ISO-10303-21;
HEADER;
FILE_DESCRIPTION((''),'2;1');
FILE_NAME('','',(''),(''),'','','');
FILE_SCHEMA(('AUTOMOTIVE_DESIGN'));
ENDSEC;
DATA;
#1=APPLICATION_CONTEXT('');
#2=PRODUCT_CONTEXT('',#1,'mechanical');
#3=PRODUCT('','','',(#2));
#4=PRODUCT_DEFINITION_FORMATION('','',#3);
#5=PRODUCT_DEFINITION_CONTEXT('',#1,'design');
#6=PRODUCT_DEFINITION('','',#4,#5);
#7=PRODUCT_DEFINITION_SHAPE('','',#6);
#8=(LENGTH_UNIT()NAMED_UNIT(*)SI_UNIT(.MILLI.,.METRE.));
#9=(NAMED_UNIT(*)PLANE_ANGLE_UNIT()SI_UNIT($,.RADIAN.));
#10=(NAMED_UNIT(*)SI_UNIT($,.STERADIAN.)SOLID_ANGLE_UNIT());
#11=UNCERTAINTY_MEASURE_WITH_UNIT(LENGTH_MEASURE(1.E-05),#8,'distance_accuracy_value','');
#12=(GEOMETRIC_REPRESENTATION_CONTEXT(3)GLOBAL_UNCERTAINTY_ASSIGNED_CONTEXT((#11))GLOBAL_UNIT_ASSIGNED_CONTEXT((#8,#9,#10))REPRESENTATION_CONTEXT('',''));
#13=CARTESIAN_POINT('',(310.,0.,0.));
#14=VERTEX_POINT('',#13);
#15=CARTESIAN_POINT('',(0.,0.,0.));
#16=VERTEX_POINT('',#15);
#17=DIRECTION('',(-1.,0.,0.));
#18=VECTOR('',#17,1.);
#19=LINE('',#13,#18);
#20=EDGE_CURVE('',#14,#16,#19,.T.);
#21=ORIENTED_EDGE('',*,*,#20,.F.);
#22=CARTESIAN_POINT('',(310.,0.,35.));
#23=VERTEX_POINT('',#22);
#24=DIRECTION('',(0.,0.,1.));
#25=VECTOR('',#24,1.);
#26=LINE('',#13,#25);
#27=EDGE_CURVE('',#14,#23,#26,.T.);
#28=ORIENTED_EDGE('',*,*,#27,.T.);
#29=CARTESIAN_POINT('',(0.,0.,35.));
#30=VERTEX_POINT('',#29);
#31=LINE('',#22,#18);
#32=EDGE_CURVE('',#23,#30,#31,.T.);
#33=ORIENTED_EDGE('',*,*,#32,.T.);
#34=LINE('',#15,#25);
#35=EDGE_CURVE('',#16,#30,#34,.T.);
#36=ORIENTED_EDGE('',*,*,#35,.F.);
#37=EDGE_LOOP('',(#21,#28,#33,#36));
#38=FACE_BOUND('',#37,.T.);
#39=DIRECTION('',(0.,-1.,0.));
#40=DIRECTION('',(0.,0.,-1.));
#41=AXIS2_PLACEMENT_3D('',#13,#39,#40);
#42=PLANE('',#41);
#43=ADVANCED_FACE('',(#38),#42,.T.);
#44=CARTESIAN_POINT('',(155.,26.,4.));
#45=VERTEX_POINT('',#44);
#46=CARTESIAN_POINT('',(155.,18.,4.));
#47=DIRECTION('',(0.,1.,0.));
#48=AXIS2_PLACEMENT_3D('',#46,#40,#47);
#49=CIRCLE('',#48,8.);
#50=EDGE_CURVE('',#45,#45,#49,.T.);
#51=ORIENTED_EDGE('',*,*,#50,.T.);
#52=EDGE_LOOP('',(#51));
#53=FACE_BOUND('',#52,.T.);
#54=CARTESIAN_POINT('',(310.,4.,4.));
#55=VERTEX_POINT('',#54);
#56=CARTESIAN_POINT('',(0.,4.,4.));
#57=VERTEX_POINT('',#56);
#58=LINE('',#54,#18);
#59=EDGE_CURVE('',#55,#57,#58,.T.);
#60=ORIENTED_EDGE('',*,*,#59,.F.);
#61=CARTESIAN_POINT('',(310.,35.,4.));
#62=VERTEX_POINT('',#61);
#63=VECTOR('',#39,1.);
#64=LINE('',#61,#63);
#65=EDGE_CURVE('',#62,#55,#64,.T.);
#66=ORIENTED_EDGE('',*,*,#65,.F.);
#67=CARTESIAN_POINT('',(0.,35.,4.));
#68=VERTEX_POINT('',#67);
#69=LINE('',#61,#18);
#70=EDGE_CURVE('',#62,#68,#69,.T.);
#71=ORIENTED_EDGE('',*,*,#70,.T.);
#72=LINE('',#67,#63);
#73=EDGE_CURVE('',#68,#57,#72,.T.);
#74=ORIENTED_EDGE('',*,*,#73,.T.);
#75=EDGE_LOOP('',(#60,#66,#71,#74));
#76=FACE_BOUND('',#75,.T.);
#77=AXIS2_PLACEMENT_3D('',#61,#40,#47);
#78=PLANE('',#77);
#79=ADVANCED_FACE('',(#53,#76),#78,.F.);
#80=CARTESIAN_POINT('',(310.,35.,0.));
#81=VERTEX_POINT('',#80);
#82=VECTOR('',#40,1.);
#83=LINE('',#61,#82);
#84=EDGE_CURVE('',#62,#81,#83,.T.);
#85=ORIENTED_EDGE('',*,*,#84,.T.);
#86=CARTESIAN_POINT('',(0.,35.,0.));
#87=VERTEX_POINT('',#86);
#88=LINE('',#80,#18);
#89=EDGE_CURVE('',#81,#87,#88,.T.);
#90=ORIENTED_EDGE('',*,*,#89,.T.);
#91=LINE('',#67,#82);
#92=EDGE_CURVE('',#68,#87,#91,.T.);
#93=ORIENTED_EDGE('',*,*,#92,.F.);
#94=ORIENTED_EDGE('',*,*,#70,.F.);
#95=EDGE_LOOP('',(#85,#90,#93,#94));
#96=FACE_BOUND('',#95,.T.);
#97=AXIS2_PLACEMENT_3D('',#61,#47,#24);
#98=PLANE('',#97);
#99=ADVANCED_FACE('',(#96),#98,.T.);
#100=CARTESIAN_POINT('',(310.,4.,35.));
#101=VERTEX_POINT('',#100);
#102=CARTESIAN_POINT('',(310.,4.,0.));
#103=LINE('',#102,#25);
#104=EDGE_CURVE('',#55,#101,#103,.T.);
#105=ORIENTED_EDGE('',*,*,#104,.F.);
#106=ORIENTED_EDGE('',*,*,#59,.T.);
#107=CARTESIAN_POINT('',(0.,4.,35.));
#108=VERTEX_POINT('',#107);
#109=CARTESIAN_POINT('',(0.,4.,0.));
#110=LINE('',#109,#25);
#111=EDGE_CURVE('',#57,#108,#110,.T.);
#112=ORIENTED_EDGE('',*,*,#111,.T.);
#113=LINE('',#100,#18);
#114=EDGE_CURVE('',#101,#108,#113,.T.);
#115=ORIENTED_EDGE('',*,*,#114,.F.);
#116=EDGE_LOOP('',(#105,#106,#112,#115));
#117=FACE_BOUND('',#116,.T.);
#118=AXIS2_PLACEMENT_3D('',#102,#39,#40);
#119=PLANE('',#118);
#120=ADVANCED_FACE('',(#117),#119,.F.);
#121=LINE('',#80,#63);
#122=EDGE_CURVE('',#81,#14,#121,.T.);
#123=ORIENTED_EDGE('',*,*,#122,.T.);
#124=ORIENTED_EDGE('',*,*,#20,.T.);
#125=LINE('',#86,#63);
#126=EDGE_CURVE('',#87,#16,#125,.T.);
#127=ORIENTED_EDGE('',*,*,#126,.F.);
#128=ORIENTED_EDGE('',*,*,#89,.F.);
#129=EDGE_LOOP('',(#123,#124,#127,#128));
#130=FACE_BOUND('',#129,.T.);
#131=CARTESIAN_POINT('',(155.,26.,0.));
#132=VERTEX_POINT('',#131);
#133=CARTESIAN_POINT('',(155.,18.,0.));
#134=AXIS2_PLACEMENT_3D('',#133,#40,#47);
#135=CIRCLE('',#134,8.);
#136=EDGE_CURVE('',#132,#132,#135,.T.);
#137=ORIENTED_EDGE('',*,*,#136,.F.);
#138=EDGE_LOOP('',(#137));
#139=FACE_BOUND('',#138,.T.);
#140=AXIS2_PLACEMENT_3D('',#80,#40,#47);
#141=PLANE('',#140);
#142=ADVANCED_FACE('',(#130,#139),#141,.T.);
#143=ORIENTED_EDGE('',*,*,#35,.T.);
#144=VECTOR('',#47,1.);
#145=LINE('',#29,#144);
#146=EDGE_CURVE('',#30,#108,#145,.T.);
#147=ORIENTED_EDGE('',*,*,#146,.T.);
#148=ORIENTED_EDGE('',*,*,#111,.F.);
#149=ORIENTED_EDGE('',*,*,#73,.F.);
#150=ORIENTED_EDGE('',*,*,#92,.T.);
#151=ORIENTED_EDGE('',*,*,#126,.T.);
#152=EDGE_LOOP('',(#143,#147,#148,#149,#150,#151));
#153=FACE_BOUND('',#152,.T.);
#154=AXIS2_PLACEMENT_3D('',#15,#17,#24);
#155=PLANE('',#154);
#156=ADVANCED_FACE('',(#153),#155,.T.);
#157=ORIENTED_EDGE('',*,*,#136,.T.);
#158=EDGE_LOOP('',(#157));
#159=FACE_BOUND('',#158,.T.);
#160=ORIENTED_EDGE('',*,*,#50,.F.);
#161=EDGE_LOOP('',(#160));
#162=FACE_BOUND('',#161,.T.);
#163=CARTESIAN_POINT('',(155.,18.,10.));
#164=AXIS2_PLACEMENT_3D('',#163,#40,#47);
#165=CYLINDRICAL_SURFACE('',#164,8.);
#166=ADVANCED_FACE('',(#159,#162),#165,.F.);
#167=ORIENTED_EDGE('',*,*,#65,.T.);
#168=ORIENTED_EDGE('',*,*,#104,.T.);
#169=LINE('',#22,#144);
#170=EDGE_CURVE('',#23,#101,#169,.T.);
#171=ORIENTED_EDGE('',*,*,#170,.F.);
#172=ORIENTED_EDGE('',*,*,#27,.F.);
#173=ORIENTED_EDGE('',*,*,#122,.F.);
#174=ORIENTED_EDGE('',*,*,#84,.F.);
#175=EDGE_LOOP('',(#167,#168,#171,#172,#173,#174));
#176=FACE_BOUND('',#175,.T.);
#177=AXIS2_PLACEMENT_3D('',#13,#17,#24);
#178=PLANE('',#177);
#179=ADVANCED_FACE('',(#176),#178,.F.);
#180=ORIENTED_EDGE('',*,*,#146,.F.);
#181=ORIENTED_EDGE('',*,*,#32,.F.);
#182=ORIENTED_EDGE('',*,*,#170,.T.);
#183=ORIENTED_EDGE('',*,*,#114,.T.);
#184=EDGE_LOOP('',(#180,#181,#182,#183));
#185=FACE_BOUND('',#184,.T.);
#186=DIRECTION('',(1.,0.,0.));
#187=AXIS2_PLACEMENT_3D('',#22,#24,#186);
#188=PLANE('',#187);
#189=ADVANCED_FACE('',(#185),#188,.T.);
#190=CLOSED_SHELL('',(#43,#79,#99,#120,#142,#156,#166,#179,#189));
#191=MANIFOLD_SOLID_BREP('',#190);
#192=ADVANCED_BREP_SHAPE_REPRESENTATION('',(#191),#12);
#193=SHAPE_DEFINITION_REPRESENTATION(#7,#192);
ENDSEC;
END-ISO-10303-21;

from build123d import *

# Parameters (mm, degrees)
EXTRUDE_1_DEPTH     = 310
SKETCH_2_R          = 8
CUT_EXTRUDE_1_DEPTH = 10


with BuildPart() as part:
    # Эскиз1 → Вытянуть-Тонкостенный1 (new body)
    with BuildSketch(Plane(origin=(0, 0, 0), x_dir=(0, 0, -1), z_dir=(1, 0, 0))):
        Polygon((0, 35), (0, 0), (-35, 0), (-35, 4), (-4, 4), (-4, 35), align=None)
    extrude(amount=EXTRUDE_1_DEPTH)

    # Эскиз2 → Вырез-Вытянуть1 (cut)
    with BuildSketch(Plane(origin=(0, 0, 0), x_dir=(-1, 0, 0), z_dir=(0, 0, -1))):
        with Locations((-155, 18)):
            Circle(SKETCH_2_R)
    extrude(amount=-CUT_EXTRUDE_1_DEPTH, mode=Mode.SUBTRACT)


solid = part.part
